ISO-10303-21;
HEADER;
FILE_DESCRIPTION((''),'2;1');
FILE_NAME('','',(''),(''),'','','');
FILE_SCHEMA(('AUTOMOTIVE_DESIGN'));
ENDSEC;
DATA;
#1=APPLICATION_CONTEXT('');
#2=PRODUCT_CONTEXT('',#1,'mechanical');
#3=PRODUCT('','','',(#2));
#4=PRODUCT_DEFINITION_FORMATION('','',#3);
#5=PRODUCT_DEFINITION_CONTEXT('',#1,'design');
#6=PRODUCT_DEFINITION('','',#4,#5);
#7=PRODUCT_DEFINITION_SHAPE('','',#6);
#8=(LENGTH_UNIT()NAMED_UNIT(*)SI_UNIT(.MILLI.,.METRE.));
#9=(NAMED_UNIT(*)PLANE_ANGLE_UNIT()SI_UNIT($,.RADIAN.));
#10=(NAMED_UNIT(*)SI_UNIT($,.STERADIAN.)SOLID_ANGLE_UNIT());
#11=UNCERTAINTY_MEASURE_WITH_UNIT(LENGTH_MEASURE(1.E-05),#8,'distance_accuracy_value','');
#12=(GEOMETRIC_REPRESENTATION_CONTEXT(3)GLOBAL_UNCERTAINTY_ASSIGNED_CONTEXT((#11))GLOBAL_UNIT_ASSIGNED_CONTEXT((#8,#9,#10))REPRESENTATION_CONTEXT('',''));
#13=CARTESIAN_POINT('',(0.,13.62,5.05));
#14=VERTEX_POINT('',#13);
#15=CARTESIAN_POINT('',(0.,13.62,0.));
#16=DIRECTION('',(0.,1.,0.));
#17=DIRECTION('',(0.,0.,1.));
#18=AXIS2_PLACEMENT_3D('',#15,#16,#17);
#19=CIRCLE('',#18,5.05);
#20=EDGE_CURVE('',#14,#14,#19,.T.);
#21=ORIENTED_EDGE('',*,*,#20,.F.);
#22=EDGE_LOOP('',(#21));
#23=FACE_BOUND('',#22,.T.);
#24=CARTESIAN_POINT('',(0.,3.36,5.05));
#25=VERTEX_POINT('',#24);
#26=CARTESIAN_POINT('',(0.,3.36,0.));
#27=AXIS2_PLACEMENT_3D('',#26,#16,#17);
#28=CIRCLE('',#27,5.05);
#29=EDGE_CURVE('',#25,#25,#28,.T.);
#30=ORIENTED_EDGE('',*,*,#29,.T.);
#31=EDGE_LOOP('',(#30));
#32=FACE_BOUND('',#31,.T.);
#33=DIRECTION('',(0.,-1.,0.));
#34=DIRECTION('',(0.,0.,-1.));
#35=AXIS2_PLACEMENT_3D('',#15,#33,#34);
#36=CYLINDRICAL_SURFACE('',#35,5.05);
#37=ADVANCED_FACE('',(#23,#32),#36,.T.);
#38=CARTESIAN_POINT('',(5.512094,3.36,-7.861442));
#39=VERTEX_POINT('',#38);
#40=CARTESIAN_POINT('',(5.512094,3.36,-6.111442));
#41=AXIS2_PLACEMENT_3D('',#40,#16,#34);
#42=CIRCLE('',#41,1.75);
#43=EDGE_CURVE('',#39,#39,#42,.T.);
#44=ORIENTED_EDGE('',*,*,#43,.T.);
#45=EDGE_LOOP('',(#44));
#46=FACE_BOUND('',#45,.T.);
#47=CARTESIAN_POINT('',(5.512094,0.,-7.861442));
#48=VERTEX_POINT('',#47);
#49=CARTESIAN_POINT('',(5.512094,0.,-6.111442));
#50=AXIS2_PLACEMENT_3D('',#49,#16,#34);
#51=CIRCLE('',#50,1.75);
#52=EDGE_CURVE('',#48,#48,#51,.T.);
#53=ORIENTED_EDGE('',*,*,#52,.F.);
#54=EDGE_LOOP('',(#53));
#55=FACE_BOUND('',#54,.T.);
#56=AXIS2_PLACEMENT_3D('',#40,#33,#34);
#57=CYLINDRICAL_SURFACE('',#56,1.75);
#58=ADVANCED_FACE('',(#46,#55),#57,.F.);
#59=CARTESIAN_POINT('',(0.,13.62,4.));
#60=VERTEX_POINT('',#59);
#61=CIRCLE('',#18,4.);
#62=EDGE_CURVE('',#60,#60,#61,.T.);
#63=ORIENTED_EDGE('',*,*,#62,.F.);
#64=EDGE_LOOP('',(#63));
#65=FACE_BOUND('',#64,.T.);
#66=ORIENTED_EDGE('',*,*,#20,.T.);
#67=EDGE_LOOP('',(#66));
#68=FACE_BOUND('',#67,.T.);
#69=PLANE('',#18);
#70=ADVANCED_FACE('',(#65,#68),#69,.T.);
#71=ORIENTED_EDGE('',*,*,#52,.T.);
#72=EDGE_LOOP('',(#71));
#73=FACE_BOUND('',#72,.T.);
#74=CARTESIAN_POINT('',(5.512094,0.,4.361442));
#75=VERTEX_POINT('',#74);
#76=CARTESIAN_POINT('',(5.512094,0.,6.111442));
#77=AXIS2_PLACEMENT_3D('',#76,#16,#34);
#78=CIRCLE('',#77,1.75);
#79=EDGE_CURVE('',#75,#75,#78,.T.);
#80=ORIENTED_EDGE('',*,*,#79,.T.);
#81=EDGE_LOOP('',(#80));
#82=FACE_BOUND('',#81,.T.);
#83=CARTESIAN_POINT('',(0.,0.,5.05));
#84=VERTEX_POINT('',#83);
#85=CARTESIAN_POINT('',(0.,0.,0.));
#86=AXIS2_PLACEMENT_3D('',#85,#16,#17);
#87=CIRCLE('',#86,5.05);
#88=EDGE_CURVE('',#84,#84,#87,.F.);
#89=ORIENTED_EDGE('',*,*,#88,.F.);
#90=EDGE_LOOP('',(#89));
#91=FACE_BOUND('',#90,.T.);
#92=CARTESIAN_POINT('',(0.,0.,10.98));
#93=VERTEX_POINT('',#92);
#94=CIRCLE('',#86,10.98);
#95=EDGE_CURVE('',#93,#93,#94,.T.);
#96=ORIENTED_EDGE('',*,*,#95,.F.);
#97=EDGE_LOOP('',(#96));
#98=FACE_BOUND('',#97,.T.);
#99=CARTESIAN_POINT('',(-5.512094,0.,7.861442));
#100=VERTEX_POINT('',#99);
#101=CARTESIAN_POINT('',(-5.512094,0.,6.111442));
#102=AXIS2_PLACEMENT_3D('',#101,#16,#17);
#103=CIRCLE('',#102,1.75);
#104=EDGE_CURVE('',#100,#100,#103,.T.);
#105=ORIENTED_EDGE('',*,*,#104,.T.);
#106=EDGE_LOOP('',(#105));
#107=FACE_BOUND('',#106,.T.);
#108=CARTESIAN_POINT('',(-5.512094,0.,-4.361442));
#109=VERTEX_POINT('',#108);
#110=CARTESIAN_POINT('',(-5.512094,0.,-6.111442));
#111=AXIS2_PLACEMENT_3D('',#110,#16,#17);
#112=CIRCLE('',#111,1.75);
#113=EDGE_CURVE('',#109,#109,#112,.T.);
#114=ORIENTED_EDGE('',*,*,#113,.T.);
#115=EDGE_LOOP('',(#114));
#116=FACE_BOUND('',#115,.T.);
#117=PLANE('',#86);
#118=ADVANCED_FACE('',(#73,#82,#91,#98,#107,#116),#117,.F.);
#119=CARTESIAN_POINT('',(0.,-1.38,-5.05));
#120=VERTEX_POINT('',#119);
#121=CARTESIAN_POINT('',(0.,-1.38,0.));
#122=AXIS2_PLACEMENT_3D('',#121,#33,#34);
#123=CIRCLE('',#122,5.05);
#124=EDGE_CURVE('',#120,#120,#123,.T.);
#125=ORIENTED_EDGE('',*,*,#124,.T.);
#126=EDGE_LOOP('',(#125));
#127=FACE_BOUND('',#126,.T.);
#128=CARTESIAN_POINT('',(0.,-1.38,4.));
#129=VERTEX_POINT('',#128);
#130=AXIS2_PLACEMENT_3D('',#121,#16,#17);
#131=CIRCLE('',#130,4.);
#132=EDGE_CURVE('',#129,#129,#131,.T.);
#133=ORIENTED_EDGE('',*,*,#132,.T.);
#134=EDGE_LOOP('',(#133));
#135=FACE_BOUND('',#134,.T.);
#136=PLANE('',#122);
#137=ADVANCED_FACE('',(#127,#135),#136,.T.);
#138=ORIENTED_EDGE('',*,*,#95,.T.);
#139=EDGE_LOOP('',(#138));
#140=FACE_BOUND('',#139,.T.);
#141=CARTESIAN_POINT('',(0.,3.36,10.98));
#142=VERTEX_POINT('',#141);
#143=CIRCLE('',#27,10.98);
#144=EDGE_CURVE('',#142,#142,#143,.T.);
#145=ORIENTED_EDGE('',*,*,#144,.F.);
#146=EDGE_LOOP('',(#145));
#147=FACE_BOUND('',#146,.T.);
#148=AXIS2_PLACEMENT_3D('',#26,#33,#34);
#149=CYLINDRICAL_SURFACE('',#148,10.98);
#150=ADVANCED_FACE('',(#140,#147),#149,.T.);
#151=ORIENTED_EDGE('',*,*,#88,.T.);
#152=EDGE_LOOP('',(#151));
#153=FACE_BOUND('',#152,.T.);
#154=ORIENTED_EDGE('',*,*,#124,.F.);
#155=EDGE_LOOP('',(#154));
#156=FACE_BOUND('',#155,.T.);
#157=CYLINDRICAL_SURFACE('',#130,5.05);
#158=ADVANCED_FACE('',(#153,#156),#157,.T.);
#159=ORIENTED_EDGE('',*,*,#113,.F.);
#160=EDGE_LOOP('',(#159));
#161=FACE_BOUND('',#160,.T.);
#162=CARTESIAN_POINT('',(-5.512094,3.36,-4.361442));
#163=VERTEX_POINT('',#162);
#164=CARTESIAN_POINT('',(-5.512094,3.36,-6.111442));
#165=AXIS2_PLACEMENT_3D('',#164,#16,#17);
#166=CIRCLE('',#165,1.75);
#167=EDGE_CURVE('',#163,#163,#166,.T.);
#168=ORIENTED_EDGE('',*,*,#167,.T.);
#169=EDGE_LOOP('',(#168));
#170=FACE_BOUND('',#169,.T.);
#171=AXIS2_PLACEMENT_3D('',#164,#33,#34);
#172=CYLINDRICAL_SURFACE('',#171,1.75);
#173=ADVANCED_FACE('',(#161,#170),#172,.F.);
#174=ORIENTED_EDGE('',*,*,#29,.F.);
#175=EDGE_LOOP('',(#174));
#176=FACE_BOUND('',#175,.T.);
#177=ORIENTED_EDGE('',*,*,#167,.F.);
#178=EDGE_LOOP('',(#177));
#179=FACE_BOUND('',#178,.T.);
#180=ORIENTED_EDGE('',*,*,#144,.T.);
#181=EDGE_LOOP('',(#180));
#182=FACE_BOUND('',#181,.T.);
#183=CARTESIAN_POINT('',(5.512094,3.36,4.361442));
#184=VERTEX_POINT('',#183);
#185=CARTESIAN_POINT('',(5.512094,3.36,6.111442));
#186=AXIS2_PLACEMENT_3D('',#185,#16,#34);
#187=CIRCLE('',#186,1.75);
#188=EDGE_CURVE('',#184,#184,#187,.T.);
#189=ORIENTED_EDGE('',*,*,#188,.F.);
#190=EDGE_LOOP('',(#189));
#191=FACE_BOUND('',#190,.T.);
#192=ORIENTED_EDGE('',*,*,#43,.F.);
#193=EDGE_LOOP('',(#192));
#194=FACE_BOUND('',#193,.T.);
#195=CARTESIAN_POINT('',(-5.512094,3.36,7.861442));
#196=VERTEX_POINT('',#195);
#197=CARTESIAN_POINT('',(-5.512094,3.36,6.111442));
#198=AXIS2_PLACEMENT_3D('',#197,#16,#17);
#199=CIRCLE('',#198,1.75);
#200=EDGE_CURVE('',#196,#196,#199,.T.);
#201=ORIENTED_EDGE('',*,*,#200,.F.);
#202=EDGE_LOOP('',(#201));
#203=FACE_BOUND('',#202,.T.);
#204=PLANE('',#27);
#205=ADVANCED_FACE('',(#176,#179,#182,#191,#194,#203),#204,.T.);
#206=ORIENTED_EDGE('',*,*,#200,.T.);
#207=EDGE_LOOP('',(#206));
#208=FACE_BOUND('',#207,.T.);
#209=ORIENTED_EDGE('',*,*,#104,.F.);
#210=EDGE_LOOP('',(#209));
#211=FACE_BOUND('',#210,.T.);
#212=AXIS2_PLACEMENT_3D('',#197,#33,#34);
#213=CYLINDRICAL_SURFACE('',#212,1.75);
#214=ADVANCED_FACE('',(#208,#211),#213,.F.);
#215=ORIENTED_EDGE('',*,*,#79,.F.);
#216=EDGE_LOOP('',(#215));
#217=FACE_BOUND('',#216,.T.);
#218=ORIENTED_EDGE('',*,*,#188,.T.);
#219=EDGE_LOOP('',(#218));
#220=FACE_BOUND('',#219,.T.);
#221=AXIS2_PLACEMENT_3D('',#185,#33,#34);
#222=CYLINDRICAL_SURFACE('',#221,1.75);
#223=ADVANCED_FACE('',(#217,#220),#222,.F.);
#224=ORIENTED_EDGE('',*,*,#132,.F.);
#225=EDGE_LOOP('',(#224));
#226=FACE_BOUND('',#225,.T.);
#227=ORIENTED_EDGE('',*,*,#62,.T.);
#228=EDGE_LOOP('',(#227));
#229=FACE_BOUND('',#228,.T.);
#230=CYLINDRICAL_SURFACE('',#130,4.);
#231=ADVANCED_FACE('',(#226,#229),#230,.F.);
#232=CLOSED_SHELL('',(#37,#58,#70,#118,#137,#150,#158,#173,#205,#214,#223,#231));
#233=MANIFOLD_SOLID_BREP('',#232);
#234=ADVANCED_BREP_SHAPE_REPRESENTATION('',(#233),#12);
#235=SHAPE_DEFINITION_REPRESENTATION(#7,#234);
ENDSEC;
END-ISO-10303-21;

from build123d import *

# Parameters (mm, degrees)
CROQUIS2_R              = 10.98
CROQUIS2_R_2            = 1.75
SALIENTE_EXTRUIR1_DEPTH = 3.36
CROQUIS3_R              = 5.05
SALIENTE_EXTRUIR2_DEPTH = 10.26
CROQUIS4_R              = 5.05
SALIENTE_EXTRUIR3_DEPTH = 1.38
CROQUIS5_R              = 4
CORTAR_EXTRUIR1_DEPTH   = 16


with BuildPart() as part:
    # Croquis2 → Saliente-Extruir1 (new body)
    with BuildSketch(Plane(origin=(0, 0, 0), x_dir=(1, 0, 0), z_dir=(0, 1, 0))):
        Circle(CROQUIS2_R)
        with Locations((-5.512093558, 6.111442105)):
            Circle(CROQUIS2_R_2, mode=Mode.SUBTRACT)
        with Locations((-5.512093558, -6.111442105)):
            Circle(CROQUIS2_R_2, mode=Mode.SUBTRACT)
        with Locations((5.512093558, -6.111442105)):
            Circle(CROQUIS2_R_2, mode=Mode.SUBTRACT)
        with Locations((5.512093558, 6.111442105)):
            Circle(CROQUIS2_R_2, mode=Mode.SUBTRACT)
    extrude(amount=SALIENTE_EXTRUIR1_DEPTH)

    # Croquis3 → Saliente-Extruir2 (add)
    with BuildSketch(Plane(origin=(0, 3.36, 0), x_dir=(1, 0, 0), z_dir=(0, 1, 0))):
        Circle(CROQUIS3_R)
    extrude(amount=SALIENTE_EXTRUIR2_DEPTH)

    # Croquis4 → Saliente-Extruir3 (add)
    with BuildSketch(Plane.XZ):
        Circle(CROQUIS4_R)
    extrude(amount=SALIENTE_EXTRUIR3_DEPTH)

    # Croquis5 → Cortar-Extruir1 (cut, through all)
    with BuildSketch(Plane(origin=(0, 13.62, 0), x_dir=(1, 0, 0), z_dir=(0, 1, 0))):
        Circle(CROQUIS5_R)
    extrude(amount=-CORTAR_EXTRUIR1_DEPTH, mode=Mode.SUBTRACT)


solid = part.part
